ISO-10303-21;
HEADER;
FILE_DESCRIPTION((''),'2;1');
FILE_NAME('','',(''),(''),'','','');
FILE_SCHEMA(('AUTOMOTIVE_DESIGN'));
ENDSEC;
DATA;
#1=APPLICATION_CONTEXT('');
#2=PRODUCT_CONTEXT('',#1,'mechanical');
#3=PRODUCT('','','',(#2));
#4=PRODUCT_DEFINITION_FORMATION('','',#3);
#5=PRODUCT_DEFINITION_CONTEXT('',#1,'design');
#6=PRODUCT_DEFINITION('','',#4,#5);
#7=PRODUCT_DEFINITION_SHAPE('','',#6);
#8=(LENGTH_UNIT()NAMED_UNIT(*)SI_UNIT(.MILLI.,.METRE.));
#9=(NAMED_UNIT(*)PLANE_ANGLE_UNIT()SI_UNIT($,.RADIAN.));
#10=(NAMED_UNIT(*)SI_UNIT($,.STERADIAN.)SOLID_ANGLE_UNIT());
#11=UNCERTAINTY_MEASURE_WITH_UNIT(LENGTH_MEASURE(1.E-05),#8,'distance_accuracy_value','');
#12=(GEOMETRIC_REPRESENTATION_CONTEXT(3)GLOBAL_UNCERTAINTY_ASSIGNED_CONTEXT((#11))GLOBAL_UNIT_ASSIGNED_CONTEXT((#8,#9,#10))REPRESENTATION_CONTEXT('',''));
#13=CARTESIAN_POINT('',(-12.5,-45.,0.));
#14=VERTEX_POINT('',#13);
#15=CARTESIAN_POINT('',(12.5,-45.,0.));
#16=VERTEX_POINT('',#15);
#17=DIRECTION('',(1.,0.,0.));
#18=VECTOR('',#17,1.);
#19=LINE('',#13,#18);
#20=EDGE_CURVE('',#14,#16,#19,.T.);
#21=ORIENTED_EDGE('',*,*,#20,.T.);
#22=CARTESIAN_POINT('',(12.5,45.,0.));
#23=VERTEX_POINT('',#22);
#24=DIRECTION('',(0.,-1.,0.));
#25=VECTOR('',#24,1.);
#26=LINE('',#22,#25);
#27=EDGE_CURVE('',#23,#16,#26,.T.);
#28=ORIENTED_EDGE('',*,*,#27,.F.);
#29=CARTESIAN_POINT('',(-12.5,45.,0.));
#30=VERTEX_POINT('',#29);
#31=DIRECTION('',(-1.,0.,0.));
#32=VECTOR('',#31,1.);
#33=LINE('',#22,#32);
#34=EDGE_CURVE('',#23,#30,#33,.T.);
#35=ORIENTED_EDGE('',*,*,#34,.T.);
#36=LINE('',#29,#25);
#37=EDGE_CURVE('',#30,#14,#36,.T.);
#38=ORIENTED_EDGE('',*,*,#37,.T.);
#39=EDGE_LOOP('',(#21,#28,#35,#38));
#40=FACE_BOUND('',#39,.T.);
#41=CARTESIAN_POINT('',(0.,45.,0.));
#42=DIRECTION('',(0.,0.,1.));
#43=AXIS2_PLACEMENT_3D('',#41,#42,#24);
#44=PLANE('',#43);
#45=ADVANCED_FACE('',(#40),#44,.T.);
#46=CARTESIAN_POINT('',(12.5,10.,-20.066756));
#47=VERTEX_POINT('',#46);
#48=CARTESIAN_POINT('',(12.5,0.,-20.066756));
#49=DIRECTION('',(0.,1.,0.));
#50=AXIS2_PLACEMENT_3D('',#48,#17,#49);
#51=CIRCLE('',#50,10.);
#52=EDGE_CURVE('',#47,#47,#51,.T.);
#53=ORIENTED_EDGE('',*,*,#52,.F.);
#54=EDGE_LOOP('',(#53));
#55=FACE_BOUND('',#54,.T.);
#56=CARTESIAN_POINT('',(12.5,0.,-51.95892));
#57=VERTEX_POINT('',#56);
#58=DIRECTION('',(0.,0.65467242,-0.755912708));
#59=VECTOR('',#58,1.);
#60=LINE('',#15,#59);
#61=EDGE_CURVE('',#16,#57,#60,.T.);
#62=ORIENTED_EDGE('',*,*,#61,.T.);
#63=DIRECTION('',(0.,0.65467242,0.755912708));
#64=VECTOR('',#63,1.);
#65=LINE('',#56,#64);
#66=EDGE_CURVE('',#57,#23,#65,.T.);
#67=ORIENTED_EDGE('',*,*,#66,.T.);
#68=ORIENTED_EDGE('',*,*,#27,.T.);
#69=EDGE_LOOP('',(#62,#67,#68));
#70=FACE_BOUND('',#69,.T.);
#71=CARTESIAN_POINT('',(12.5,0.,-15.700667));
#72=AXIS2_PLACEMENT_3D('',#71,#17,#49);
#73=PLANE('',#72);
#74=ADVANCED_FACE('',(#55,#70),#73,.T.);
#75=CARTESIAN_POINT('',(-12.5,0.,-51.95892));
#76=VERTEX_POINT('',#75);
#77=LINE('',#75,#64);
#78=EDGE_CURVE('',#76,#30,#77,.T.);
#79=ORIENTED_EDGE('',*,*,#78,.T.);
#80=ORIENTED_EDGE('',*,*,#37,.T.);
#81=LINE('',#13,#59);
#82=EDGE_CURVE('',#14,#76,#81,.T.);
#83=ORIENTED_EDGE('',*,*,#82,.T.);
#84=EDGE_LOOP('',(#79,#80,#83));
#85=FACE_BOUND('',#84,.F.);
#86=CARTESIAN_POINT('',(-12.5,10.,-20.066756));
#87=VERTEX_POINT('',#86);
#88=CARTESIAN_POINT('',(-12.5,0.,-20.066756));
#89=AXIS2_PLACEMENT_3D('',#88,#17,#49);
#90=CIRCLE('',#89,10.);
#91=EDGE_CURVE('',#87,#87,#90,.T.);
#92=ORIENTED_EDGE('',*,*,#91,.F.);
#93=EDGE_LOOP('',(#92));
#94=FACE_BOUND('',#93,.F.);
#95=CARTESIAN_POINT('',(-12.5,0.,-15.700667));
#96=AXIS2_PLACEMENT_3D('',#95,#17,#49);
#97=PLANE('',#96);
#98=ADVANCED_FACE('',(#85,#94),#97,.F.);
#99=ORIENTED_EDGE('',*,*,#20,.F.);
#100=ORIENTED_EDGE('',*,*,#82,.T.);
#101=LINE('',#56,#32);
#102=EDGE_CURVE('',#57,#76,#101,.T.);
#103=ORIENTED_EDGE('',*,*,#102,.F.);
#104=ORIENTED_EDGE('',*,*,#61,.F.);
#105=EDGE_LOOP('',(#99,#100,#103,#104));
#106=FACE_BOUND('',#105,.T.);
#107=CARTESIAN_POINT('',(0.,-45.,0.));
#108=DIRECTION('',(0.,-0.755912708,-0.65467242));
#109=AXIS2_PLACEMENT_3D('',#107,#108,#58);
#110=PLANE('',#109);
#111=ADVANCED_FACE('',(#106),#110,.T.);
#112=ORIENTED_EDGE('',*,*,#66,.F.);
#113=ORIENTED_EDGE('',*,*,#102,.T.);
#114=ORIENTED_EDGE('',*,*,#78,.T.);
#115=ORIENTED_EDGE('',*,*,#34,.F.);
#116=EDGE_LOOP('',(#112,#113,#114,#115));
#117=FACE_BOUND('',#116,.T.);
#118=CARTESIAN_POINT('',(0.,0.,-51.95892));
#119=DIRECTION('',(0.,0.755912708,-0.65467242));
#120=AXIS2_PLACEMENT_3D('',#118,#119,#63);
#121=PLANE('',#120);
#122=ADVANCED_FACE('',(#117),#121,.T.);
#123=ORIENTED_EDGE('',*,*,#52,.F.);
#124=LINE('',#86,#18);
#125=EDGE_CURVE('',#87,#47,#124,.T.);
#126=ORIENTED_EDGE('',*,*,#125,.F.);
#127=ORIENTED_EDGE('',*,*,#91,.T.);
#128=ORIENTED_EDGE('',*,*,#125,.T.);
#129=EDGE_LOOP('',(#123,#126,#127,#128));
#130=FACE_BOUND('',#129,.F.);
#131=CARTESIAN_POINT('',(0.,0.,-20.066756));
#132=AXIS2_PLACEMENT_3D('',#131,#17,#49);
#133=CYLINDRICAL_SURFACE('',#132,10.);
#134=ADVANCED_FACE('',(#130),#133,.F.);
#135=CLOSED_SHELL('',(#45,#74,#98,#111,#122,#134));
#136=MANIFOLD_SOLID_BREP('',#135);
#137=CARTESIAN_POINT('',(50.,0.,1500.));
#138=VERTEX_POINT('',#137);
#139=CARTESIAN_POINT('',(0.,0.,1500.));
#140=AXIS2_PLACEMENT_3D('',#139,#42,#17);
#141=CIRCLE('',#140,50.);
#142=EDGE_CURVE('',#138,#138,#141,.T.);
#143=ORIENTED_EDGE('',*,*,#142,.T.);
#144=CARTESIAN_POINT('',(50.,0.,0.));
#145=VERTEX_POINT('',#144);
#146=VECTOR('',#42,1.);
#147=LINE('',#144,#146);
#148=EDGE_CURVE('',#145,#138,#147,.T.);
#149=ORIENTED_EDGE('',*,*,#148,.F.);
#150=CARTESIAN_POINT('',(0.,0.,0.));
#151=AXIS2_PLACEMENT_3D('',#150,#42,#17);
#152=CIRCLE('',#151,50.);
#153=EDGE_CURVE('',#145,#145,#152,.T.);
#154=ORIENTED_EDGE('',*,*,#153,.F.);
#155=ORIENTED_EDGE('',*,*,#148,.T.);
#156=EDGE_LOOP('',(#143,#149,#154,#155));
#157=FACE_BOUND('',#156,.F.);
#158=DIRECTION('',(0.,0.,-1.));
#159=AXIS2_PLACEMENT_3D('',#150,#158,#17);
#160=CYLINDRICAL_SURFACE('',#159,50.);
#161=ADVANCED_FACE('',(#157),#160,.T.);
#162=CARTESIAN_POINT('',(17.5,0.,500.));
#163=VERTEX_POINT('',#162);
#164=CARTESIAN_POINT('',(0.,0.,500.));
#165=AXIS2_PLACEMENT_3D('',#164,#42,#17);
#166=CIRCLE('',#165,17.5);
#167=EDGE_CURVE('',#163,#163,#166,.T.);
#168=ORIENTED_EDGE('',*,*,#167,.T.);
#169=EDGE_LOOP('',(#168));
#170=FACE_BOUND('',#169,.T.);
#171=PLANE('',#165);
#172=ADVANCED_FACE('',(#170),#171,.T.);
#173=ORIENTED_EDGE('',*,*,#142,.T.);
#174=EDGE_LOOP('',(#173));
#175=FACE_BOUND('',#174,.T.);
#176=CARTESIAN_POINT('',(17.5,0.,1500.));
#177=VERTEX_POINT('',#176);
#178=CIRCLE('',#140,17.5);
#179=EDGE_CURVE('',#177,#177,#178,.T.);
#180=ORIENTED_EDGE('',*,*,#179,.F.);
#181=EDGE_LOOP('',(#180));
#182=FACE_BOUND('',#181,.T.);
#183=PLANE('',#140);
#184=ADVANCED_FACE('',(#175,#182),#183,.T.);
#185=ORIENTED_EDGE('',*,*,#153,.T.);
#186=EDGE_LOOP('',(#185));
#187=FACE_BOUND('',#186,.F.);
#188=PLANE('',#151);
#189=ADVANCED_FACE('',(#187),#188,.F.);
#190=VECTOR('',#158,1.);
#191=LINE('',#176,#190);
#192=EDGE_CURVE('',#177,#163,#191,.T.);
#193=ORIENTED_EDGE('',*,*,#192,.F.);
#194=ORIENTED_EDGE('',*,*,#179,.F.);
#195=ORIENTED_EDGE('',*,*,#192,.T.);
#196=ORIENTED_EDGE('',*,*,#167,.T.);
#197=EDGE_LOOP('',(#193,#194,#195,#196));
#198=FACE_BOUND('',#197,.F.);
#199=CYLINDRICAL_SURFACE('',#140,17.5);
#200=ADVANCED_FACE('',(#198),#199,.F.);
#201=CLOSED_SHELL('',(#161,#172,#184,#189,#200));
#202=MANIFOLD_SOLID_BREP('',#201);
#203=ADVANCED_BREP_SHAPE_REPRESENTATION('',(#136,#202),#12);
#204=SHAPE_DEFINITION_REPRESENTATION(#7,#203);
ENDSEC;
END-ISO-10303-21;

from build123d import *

# Parameters (mm, degrees)
F0_R     = 50
F1_DEPTH = 1500
F2_R     = 17.5
F3_DEPTH = 1000
F5_DEPTH = 12.5
F6_R     = 10
F7_DEPTH = 12.5


with BuildPart() as f1:
    # F0 (on Top) → F1 (new body)
    with BuildSketch(Plane.XY):
        Circle(F0_R)
    extrude(amount=F1_DEPTH)

    # F2 (on face) → F3 (cut)
    with BuildSketch(Plane.XY.offset(1500)):
        Circle(F2_R)
    extrude(amount=-F3_DEPTH, mode=Mode.SUBTRACT)


with BuildPart() as f5:
    # F4 (on Right) → F5 (new body, symmetric)
    with BuildSketch(Plane.YZ):
        Polygon((45, 0), (-45, 0), (0, -51.95892), align=None)
    extrude(amount=F5_DEPTH, both=True)

    # F6 (on Right) → F7 (cut, symmetric)
    with BuildSketch(Plane.YZ):
        with Locations((0, -20.066756)):
            Circle(F6_R)
    extrude(amount=F7_DEPTH, both=True, mode=Mode.SUBTRACT)


solid = Compound([f1.part, f5.part])
